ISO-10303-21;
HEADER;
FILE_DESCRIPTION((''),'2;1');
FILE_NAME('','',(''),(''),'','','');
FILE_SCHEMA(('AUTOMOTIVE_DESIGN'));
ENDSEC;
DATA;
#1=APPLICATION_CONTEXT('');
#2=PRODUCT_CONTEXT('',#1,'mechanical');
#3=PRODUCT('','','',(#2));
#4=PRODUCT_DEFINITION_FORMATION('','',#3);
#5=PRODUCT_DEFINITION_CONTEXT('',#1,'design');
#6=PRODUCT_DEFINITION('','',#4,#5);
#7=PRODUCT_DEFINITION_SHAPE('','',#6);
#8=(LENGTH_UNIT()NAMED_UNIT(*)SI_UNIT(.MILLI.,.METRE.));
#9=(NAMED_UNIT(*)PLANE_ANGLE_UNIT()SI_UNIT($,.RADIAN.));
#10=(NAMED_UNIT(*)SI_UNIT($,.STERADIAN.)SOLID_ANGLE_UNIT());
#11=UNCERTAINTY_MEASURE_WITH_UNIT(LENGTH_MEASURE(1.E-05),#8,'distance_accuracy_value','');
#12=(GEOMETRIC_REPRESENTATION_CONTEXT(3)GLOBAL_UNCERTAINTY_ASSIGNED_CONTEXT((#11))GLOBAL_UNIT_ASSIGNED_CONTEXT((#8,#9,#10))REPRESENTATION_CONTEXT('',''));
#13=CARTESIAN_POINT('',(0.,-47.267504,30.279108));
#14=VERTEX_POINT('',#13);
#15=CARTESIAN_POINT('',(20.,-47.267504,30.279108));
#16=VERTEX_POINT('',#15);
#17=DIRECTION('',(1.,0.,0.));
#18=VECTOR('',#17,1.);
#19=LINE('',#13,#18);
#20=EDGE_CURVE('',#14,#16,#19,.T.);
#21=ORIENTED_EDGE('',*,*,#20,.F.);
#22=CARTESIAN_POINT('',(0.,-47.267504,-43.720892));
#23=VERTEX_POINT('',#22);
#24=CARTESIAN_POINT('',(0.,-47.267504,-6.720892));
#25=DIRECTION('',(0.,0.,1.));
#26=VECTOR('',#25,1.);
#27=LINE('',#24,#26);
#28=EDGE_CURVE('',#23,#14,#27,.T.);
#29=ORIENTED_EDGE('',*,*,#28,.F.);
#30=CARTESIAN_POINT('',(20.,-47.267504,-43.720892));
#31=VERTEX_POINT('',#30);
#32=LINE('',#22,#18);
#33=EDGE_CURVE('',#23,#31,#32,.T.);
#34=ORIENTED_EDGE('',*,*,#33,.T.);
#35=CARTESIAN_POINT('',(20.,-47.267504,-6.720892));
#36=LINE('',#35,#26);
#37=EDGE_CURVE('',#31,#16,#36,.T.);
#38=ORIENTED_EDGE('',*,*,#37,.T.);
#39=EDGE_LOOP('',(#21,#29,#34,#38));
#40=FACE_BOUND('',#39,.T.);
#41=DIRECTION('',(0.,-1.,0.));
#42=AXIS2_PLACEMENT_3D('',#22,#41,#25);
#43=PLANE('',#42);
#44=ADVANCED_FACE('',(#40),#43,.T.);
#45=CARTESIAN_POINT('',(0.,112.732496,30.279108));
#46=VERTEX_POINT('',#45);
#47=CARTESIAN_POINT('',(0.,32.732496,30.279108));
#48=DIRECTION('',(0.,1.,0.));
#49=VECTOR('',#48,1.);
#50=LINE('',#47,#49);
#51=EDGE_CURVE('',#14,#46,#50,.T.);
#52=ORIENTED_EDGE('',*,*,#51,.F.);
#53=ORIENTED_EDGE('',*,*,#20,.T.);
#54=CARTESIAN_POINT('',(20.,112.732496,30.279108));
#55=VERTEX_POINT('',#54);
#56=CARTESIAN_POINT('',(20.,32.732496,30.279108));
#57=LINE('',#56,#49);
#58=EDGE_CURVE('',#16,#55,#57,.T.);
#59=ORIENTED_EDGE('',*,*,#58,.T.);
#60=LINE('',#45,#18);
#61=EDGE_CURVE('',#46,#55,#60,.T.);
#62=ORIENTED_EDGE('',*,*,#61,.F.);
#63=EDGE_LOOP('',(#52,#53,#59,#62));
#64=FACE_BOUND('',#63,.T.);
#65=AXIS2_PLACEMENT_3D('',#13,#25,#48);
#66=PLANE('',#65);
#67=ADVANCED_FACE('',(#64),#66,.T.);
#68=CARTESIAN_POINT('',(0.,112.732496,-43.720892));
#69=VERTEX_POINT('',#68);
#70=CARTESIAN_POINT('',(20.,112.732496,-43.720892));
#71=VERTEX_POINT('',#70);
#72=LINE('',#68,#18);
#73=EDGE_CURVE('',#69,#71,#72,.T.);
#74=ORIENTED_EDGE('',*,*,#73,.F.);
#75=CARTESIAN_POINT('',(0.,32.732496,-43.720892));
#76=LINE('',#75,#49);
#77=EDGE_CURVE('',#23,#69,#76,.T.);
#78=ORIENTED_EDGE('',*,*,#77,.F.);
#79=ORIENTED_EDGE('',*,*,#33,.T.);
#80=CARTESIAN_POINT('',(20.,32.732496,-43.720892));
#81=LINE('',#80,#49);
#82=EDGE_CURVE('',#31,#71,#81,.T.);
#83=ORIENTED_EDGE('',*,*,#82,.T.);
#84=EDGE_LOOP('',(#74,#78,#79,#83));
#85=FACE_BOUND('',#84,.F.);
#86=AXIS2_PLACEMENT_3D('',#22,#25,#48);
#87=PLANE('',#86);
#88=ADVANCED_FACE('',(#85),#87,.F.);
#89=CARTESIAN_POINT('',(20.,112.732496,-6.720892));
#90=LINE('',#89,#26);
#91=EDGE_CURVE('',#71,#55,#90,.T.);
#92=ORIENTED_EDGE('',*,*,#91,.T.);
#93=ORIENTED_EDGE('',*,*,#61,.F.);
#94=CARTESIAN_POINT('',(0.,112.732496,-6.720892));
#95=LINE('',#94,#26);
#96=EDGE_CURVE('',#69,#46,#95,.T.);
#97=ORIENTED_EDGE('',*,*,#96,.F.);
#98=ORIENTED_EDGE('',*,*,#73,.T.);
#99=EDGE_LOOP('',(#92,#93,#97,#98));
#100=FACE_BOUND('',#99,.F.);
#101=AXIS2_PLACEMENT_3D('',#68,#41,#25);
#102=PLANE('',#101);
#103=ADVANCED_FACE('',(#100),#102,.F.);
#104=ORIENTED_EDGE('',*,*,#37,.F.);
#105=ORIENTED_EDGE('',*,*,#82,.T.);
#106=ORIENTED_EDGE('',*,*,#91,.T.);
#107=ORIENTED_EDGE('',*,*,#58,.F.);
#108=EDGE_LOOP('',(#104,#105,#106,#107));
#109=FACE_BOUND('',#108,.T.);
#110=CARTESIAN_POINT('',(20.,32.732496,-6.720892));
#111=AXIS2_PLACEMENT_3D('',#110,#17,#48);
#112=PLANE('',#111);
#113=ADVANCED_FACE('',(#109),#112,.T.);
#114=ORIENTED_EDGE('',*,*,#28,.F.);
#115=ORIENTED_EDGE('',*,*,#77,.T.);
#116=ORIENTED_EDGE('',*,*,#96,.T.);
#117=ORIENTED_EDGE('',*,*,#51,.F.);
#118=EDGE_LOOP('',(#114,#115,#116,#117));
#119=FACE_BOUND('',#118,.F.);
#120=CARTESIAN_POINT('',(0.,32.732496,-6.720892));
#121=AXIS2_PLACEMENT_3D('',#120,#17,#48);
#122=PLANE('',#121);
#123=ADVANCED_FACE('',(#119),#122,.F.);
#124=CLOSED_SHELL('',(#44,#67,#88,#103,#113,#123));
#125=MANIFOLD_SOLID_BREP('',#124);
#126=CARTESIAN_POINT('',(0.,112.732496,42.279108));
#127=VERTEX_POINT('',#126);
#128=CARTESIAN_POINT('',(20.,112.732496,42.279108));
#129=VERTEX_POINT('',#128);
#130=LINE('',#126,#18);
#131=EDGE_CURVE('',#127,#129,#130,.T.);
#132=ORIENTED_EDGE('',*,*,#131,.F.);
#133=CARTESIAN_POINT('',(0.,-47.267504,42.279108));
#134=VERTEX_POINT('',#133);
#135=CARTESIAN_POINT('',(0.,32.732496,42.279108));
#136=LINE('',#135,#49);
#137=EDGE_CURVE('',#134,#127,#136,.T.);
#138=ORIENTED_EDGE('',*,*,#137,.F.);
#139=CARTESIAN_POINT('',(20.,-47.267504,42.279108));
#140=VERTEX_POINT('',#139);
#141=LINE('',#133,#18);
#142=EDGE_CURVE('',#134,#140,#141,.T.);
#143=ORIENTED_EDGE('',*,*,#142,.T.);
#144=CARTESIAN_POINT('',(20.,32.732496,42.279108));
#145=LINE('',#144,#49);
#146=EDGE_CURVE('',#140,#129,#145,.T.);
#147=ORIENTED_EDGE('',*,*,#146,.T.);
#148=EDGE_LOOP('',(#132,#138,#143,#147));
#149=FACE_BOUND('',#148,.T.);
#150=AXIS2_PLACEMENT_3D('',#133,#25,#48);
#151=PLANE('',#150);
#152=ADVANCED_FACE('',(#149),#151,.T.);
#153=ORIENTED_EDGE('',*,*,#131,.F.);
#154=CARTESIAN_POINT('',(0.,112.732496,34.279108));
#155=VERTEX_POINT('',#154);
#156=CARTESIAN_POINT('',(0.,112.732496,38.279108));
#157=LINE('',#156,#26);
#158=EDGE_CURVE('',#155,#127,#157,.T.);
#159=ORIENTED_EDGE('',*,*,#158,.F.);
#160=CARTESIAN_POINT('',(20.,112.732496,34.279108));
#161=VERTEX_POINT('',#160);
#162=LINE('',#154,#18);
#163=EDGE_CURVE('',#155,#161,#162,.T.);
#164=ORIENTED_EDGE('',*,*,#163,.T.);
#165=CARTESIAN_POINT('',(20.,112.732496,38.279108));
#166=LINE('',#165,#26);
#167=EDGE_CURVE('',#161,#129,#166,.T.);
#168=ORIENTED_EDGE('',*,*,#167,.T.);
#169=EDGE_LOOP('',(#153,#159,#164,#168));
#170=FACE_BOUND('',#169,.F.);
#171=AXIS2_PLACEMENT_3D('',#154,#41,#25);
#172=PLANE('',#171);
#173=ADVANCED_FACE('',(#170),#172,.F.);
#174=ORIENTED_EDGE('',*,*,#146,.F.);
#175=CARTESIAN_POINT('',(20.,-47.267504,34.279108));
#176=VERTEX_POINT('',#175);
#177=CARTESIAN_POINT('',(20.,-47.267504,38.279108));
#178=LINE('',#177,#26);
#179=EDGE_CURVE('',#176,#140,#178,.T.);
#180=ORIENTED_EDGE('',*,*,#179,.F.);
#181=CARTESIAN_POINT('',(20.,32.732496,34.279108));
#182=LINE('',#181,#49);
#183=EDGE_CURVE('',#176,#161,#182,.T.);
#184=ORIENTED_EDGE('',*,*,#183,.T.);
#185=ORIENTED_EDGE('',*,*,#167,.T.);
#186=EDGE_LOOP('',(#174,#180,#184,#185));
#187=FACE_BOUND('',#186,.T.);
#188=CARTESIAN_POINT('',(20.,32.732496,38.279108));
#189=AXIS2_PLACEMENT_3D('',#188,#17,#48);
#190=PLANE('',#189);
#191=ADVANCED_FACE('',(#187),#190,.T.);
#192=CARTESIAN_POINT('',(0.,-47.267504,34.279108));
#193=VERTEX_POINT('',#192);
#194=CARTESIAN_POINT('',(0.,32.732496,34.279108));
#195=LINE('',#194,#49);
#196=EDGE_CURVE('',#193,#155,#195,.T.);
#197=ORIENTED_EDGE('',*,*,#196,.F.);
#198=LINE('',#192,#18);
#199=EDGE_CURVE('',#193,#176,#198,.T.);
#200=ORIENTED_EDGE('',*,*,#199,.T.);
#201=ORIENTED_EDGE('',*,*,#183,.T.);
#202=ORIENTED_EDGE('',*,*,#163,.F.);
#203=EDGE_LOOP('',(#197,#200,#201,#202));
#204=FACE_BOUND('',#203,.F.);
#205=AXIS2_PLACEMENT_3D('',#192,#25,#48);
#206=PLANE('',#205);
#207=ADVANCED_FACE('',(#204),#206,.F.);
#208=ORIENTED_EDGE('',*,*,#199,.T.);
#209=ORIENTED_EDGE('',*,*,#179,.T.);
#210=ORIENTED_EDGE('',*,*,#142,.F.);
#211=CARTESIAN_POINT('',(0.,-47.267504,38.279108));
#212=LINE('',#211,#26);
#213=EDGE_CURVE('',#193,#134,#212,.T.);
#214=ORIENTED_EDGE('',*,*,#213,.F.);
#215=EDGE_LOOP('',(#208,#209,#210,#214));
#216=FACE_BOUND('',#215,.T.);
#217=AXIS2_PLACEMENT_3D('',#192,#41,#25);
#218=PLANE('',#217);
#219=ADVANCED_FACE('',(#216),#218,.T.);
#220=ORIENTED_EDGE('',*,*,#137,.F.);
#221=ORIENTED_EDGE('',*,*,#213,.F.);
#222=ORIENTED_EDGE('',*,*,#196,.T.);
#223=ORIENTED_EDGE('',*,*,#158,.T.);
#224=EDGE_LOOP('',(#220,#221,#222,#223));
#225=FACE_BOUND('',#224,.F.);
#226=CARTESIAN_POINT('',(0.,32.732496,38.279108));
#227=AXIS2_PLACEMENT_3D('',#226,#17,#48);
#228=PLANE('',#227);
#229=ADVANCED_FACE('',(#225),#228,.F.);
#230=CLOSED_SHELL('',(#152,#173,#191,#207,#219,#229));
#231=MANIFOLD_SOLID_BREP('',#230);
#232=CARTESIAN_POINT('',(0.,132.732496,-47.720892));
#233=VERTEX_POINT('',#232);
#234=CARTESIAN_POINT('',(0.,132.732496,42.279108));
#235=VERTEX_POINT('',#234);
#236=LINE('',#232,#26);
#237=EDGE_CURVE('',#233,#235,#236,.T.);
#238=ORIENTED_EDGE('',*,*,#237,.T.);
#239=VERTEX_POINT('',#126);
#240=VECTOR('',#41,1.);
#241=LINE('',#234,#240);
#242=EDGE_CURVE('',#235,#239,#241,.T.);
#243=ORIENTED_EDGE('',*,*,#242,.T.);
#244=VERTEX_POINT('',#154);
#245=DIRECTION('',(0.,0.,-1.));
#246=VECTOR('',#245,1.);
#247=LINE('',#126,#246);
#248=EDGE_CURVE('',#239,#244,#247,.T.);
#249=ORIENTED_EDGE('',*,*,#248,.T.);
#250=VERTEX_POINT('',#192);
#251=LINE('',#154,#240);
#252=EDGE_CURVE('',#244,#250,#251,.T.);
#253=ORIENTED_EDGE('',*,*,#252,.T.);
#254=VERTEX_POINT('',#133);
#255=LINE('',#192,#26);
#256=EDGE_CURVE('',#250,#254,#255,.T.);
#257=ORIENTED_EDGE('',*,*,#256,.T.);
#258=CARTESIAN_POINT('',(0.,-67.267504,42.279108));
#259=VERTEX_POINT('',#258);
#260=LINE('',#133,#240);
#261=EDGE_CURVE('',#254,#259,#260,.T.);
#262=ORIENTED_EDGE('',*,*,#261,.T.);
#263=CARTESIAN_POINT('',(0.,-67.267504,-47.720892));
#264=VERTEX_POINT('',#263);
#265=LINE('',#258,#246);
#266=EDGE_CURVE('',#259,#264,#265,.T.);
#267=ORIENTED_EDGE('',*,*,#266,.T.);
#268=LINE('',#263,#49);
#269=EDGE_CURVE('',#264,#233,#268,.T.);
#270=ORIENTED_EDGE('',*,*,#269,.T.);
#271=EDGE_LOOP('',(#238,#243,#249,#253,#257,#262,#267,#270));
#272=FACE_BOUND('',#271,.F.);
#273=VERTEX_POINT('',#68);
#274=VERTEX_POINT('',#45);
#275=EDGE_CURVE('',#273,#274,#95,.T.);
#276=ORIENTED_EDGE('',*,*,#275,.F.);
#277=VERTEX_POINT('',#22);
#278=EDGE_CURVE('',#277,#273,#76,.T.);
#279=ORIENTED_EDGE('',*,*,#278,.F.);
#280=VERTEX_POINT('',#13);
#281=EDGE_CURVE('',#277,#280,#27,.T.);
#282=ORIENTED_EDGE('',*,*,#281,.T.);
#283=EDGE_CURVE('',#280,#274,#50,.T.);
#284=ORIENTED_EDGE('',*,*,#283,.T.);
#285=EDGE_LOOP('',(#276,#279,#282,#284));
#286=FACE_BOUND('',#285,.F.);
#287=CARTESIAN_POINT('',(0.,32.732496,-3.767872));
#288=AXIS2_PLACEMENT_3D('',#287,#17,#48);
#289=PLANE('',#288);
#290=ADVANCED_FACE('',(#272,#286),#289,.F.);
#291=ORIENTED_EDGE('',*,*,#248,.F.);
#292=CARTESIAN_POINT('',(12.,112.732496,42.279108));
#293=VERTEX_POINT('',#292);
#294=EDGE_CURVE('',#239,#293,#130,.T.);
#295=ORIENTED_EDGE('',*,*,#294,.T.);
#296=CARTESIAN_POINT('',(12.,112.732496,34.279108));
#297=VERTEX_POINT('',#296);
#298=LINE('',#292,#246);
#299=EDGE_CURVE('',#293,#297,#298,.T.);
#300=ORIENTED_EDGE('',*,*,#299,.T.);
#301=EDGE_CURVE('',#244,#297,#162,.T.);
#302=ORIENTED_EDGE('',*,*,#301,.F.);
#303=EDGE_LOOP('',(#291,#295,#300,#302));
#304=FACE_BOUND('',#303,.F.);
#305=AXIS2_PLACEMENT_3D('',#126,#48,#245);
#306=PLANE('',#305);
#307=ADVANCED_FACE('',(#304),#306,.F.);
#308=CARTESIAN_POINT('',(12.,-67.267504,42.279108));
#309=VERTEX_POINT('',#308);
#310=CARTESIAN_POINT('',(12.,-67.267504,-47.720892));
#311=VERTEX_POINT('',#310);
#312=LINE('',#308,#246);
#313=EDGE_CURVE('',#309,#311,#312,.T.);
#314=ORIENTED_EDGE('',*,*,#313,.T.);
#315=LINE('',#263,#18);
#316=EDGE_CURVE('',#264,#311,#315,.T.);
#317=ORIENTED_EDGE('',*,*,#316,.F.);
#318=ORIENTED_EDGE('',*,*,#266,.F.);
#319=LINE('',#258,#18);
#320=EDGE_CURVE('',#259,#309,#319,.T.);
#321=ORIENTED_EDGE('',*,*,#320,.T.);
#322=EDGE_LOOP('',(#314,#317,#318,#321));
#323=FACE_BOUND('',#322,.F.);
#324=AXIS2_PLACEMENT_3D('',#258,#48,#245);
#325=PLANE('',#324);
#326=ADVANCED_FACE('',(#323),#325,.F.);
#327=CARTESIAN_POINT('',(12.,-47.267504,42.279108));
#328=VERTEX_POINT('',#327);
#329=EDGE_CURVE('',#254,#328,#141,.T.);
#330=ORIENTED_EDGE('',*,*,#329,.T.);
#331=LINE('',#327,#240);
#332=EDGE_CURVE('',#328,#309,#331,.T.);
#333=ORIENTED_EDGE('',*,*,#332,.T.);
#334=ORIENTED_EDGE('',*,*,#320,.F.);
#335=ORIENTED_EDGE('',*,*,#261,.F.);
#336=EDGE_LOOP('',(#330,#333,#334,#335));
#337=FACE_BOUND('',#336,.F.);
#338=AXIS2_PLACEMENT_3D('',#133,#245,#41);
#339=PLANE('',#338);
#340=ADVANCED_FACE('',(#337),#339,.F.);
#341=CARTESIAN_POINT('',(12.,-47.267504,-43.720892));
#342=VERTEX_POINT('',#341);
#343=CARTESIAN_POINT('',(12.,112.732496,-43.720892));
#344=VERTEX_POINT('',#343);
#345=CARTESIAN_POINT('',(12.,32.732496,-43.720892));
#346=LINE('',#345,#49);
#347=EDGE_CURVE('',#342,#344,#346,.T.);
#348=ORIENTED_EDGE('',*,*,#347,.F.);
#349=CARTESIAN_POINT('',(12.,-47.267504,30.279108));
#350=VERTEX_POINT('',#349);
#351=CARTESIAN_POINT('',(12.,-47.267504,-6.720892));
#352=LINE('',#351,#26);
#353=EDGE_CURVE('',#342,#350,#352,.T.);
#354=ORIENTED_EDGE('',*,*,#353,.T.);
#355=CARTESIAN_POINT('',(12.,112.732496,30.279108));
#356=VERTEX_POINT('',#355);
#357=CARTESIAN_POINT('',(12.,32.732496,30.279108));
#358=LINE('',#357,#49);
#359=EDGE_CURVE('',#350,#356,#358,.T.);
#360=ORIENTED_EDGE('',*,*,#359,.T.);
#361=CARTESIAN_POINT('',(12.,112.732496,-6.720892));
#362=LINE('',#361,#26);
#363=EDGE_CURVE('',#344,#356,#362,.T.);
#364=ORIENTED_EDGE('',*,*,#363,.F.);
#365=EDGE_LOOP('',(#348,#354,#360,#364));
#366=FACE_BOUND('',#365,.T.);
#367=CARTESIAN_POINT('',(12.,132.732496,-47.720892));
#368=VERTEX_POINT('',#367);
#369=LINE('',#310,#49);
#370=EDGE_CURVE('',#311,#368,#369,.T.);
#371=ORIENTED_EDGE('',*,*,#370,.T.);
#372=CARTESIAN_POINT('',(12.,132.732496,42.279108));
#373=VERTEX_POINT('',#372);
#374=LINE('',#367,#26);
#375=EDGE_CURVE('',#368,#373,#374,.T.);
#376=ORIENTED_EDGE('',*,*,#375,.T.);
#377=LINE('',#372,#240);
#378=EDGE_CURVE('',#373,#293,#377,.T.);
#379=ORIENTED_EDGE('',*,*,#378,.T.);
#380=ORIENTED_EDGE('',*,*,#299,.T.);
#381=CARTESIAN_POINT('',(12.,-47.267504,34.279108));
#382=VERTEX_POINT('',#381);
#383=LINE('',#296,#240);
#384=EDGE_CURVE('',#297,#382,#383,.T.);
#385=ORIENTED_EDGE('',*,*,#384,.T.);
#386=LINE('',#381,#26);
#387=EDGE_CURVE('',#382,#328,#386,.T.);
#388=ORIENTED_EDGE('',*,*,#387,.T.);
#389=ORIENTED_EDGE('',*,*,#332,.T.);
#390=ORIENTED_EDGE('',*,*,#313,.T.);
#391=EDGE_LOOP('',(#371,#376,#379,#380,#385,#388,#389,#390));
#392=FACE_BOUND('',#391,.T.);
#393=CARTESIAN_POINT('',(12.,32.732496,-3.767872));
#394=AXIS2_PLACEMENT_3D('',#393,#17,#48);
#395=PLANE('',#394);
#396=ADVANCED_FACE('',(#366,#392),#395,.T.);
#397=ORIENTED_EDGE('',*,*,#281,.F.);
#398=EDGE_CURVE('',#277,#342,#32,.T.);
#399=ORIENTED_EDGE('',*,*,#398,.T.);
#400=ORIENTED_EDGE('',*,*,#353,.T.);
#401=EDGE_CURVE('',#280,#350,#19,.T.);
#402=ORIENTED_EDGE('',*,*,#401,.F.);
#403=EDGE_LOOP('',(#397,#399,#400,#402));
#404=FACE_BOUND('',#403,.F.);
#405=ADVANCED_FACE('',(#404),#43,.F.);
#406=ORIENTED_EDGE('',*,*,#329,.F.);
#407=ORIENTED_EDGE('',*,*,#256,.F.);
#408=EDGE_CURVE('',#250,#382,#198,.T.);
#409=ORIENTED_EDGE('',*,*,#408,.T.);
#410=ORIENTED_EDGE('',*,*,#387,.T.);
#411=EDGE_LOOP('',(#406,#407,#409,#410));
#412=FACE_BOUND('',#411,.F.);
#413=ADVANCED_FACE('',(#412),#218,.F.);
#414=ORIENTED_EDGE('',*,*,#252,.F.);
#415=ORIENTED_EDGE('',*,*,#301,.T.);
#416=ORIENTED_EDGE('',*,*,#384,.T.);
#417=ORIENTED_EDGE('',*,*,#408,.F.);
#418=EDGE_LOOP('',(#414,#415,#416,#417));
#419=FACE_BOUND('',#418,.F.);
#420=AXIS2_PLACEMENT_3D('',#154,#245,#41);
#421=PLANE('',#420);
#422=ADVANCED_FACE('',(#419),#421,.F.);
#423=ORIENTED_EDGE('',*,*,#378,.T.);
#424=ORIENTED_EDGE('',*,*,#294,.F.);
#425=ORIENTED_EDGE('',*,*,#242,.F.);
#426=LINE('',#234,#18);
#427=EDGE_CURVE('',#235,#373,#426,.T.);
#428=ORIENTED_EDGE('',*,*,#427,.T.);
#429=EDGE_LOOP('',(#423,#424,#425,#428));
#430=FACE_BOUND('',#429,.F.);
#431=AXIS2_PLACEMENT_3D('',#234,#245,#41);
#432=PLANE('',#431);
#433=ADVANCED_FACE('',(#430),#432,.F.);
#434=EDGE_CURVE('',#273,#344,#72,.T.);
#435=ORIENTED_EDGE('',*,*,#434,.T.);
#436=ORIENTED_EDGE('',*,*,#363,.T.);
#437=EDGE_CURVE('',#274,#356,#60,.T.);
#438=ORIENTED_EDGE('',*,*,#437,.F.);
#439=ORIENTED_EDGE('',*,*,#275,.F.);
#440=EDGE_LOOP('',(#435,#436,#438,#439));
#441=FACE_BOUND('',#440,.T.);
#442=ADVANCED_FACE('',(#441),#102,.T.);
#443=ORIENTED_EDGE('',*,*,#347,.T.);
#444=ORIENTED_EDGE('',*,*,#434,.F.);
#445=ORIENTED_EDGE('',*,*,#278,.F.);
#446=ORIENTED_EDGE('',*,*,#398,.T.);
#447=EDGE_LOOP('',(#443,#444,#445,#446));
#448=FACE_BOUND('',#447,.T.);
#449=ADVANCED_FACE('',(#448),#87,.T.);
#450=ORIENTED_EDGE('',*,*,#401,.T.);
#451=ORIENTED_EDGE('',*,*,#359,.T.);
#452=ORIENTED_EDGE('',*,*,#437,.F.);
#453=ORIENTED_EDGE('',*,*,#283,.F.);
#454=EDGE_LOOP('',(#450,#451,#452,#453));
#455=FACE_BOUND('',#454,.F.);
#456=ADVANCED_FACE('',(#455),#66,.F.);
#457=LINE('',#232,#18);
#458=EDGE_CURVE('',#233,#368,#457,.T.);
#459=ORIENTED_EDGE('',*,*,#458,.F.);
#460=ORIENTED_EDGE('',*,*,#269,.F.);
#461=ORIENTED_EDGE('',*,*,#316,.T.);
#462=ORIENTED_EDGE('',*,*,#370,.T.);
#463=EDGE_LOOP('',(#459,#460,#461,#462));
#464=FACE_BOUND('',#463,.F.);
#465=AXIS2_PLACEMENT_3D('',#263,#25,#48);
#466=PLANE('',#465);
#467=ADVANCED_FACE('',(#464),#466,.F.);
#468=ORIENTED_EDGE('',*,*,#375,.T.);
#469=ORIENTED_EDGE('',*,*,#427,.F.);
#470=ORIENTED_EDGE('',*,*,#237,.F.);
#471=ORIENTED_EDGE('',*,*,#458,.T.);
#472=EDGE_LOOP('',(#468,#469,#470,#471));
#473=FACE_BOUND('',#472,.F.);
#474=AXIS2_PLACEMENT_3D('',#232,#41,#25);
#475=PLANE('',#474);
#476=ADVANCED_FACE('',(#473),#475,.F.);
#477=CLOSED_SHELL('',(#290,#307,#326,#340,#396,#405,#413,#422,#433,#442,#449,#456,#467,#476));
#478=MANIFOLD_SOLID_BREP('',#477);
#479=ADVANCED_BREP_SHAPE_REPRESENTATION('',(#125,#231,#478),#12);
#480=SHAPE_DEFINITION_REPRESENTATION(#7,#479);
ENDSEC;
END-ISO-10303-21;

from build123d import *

# Parameters (mm, degrees)
F0_W     = 160
F0_H     = 8
F0_H_2   = 74
F1_DEPTH = 20
F2_DEPTH = 12


with BuildPart() as f1:
    # F0 (on Right) → F1 (new body)
    with BuildSketch(Plane.YZ):
        with Locations((32.732496, 38.279108)):
            Rectangle(F0_W, F0_H)
        with Locations((32.732496, -6.720892)):
            Rectangle(F0_W, F0_H_2)
    extrude(amount=F1_DEPTH)


with BuildPart() as f2:
    # F0 (on Right) → F2 (new body)
    with BuildSketch(Plane.YZ):
        Polygon((132.732496, -47.720892), (132.732496, 42.279108), (112.732496, 42.279108), (112.732496, 34.279108), (-47.267504, 34.279108), (-47.267504, 42.279108), (-67.267504, 42.279108), (-67.267504, -47.720892), align=None)
        with Locations((32.732496, -6.720892)):
            Rectangle(F0_W, F0_H_2, mode=Mode.SUBTRACT)
    extrude(amount=F2_DEPTH)


solid = Compound([f1.part, f2.part])
